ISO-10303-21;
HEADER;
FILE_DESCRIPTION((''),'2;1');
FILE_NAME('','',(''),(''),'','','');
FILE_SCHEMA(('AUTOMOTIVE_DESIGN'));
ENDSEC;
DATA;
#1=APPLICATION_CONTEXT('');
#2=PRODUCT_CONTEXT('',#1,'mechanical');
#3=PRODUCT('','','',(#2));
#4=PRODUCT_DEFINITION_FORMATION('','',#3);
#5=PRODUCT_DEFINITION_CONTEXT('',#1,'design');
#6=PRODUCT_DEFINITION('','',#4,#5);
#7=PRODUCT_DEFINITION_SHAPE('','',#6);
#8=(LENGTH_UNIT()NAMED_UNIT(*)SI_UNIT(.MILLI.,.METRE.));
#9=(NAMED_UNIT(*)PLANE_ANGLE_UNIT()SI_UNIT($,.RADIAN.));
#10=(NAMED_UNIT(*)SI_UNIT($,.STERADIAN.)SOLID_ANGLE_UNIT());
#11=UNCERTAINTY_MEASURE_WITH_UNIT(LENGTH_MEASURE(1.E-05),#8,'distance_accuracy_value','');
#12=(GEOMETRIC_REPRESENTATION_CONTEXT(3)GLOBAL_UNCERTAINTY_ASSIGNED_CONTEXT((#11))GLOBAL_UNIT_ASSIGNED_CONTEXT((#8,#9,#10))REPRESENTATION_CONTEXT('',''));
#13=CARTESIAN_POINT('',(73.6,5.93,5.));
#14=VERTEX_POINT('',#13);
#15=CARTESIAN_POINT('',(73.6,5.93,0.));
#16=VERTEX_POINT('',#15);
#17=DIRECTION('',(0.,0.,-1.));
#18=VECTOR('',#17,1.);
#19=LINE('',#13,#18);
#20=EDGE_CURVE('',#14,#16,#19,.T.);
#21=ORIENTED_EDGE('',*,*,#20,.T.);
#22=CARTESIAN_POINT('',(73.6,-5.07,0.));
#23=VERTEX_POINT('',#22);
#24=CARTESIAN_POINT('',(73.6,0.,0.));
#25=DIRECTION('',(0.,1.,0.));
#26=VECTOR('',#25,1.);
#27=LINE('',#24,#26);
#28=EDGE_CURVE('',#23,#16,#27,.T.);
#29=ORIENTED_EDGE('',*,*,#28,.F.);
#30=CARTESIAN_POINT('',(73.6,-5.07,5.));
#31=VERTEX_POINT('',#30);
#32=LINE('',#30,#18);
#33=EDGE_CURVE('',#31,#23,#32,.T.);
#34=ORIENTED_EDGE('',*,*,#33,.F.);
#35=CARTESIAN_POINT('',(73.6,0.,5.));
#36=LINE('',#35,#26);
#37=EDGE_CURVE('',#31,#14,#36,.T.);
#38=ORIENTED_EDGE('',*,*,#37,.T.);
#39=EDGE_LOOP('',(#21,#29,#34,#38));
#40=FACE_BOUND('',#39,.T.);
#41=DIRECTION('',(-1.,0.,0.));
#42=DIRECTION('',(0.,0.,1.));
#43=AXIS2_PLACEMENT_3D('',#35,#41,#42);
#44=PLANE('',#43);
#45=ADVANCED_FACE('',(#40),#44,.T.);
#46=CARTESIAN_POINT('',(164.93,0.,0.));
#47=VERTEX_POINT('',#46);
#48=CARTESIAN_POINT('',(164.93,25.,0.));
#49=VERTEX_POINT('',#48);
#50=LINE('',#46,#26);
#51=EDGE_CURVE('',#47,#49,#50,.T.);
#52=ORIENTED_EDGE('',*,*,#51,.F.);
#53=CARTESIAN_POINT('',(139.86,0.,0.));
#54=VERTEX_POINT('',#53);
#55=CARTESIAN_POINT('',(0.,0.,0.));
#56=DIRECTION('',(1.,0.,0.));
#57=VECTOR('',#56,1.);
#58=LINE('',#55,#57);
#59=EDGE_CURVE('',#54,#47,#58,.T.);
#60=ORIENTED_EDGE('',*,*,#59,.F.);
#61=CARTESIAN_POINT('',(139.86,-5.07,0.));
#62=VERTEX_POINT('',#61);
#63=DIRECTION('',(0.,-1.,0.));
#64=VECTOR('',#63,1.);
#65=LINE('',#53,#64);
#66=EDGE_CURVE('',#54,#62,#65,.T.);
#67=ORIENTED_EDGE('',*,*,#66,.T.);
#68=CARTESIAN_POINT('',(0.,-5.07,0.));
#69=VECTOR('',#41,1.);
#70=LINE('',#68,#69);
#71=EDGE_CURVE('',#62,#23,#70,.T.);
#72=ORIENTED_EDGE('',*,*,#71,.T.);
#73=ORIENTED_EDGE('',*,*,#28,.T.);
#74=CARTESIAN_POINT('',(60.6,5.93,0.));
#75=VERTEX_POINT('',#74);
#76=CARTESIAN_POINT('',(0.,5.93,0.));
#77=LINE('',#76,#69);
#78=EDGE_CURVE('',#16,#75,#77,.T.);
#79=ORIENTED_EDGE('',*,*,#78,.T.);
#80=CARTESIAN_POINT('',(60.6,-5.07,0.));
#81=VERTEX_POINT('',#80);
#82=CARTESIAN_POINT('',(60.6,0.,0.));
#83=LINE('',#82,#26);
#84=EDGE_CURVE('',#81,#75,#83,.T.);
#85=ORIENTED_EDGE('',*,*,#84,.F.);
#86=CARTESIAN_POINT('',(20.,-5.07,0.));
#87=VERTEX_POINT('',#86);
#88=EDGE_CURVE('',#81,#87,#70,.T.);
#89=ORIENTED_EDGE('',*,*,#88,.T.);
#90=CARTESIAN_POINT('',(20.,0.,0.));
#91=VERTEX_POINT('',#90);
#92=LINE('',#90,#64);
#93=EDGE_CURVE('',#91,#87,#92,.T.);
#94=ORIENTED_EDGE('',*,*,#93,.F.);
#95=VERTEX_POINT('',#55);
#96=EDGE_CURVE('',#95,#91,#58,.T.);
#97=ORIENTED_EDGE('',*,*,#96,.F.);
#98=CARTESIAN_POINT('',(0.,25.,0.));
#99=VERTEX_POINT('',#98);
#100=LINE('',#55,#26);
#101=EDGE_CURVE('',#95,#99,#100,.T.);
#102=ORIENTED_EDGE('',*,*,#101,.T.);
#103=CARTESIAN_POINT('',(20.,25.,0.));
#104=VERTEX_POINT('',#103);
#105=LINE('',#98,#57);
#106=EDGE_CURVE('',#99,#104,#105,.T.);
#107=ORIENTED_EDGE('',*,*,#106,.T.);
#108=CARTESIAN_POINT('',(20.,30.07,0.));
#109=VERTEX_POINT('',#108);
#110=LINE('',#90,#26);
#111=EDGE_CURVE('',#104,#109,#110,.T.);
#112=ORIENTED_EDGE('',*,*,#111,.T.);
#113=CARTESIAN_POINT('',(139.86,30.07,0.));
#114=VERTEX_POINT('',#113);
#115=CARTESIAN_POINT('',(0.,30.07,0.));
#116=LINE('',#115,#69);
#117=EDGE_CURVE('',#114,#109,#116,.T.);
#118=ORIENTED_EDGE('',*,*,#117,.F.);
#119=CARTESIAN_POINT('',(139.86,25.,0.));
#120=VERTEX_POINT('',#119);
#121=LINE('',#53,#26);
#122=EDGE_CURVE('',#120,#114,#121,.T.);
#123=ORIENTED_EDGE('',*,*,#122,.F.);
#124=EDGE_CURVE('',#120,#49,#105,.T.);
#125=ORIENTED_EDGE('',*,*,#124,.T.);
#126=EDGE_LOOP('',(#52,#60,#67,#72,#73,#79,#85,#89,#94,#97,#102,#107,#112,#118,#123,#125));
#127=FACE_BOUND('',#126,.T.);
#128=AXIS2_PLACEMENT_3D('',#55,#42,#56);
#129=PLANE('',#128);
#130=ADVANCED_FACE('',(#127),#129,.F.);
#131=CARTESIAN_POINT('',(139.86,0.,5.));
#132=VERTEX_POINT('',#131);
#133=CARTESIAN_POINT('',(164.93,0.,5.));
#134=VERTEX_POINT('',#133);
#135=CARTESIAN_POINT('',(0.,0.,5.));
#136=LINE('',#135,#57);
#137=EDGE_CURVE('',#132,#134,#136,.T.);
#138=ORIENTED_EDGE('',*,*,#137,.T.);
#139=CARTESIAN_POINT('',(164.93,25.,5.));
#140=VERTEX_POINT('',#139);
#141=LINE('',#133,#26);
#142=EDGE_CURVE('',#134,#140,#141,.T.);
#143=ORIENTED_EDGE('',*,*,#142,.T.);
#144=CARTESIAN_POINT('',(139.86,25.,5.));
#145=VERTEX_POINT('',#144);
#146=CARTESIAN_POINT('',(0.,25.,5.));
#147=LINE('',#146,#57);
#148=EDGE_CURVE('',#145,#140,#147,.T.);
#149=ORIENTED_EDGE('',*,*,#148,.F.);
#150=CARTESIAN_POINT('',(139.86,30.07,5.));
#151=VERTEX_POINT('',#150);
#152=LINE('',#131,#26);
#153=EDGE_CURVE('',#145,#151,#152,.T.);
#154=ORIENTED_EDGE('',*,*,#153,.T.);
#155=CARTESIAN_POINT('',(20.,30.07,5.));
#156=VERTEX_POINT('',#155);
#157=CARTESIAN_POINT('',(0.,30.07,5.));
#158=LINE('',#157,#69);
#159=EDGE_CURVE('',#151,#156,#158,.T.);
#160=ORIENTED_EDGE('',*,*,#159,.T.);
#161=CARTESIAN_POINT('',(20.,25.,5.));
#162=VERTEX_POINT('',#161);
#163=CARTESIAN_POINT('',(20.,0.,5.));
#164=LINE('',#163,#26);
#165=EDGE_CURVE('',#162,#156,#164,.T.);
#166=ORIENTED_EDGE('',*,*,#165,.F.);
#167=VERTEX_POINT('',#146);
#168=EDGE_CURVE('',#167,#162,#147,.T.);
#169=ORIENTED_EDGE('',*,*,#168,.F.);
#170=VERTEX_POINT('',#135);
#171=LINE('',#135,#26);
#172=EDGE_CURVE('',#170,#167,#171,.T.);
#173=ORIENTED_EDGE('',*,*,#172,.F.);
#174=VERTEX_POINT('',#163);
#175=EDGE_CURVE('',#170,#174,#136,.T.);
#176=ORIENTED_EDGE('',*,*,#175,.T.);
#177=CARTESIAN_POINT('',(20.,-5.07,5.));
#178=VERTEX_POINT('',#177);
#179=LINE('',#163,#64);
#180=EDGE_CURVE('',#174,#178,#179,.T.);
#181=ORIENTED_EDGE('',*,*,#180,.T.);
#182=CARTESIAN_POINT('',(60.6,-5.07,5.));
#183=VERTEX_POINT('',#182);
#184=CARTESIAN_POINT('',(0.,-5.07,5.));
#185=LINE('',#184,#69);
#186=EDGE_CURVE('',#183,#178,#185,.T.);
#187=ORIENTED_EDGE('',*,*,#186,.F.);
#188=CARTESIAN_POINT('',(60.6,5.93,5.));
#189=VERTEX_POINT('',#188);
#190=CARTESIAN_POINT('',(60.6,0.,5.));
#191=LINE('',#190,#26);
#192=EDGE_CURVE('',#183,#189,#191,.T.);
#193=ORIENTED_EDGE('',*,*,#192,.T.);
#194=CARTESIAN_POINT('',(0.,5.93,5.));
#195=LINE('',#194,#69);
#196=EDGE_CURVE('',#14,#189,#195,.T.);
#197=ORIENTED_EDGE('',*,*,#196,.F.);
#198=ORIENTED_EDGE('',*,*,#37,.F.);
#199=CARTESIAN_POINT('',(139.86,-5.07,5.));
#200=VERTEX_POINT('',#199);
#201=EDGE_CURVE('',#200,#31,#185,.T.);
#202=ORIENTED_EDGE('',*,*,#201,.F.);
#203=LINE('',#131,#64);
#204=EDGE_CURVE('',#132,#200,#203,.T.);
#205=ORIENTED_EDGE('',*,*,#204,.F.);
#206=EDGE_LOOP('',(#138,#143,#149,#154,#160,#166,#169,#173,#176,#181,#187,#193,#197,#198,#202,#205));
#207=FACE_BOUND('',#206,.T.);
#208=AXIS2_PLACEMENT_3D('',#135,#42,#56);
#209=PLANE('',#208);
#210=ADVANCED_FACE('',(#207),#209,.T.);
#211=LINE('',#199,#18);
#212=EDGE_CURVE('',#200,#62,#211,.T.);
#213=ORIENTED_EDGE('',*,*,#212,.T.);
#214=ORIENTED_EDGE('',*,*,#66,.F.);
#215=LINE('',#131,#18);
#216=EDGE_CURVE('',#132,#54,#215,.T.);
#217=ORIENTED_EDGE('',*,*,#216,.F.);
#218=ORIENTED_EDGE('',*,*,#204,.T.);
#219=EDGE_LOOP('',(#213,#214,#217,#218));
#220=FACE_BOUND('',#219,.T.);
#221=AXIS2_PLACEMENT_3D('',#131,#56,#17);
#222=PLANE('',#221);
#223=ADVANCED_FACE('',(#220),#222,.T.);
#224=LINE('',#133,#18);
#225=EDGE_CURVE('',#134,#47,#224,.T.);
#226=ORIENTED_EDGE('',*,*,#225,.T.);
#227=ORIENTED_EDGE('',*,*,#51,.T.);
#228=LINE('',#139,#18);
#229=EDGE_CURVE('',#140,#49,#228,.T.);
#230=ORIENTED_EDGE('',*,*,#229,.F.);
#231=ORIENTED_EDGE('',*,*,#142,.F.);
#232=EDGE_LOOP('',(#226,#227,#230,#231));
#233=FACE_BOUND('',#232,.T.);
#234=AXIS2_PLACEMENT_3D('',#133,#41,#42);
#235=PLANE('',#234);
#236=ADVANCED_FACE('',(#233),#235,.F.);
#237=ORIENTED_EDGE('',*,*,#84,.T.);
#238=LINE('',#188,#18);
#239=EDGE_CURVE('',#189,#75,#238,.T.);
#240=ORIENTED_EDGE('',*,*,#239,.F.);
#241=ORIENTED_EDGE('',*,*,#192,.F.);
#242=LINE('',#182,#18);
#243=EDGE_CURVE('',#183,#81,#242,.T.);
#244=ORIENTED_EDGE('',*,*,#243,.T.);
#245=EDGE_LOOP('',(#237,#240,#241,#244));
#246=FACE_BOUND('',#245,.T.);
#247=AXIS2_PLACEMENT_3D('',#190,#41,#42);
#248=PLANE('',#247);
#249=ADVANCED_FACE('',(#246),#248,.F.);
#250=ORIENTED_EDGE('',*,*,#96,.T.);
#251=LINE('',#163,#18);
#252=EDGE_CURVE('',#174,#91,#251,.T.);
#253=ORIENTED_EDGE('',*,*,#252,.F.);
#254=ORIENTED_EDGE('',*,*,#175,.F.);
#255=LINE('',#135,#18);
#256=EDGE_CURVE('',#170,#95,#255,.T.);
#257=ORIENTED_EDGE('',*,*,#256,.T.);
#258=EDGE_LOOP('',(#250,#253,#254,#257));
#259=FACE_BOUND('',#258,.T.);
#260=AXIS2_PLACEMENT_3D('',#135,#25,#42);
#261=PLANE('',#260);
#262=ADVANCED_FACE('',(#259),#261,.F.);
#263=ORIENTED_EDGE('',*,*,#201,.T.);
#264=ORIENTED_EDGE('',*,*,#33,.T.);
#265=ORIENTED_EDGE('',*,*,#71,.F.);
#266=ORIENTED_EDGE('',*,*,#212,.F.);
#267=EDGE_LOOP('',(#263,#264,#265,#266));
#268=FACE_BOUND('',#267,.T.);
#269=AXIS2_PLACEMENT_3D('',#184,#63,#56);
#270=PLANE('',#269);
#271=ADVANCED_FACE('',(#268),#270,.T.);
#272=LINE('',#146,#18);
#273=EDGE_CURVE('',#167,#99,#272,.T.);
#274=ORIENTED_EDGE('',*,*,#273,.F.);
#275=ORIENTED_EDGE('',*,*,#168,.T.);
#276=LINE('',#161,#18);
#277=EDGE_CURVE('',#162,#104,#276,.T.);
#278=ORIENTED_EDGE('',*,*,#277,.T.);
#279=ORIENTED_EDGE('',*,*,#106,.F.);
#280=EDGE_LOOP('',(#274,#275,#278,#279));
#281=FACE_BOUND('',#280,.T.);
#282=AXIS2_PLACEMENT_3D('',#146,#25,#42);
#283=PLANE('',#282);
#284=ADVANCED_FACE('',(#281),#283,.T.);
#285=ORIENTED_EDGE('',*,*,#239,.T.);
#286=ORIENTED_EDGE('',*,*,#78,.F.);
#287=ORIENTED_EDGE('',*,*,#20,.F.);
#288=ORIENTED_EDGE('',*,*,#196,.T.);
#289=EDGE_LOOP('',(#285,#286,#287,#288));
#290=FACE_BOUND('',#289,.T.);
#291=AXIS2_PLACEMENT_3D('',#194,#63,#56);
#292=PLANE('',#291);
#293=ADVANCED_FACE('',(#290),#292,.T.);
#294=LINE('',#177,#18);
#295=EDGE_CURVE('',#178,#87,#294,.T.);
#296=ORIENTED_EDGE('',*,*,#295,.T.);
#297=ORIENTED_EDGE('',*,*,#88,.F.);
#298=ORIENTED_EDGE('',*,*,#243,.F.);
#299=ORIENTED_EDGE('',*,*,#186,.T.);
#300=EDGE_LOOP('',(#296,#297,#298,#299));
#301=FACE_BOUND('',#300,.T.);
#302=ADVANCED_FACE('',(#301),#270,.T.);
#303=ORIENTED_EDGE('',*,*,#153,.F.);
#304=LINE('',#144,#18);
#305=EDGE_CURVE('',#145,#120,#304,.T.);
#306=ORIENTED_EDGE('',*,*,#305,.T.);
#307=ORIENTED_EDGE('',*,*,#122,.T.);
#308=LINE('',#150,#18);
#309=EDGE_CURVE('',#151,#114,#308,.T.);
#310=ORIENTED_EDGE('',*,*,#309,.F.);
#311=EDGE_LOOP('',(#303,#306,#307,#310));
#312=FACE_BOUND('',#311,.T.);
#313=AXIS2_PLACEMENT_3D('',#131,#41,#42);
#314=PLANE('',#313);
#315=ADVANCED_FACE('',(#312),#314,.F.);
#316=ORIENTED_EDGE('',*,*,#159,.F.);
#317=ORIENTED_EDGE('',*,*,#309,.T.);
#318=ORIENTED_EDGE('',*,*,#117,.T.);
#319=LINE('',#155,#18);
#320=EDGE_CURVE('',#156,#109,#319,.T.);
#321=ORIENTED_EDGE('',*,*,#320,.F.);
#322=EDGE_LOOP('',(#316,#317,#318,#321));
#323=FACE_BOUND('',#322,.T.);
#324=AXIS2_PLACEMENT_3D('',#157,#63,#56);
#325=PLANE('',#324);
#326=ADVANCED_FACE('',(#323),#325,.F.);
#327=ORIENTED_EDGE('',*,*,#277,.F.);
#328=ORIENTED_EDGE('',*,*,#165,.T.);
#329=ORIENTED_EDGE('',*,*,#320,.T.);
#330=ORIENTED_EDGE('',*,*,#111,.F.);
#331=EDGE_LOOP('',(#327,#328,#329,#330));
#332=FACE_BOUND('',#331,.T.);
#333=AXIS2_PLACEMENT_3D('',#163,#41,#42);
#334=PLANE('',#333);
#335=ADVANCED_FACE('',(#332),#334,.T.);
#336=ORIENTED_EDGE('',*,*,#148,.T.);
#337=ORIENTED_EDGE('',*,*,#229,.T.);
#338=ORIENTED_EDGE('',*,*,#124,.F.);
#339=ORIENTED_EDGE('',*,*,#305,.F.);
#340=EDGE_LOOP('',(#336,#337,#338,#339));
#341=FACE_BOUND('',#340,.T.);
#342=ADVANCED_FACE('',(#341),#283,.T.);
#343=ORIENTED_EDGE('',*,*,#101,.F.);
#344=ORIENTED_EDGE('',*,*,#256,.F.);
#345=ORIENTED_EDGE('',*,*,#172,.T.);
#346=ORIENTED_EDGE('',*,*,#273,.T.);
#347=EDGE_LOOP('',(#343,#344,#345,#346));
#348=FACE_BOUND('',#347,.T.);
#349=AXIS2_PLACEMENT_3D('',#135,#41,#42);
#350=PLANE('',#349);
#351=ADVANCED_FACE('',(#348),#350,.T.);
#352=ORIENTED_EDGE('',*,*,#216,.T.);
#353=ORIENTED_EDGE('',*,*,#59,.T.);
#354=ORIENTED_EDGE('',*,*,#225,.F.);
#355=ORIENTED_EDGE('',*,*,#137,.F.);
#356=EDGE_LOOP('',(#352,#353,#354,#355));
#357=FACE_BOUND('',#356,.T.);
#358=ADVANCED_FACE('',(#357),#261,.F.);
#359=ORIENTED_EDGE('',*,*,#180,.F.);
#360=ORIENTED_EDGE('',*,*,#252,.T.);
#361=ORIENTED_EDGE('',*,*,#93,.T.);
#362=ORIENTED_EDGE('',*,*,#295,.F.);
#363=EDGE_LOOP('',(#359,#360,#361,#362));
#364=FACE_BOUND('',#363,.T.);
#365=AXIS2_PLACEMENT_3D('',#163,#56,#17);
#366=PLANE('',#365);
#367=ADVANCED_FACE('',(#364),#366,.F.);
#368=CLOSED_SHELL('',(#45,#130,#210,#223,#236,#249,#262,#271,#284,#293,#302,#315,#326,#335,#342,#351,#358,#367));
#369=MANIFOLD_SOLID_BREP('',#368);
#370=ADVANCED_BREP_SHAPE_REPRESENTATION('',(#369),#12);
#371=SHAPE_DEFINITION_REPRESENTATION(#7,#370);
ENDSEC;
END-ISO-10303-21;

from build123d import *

# Parameters (mm, degrees)
SKETCH_1_W      = 119.86
SKETCH_1_H      = 5.07
SKETCH_1_W_2    = 40.6
SKETCH_1_W_3    = 66.26
EXTRUDE_1_DEPTH = 5


with BuildPart() as part:
    # ｽｹｯﾁ1 → ﾎﾞｽ - 押し出し1 (new body)
    with BuildSketch(Plane.XY):
        Polygon((0, 25), (0, 0), (20, 0), (60.6, 0), (60.6, 5.93), (73.6, 5.93), (73.6, 0), (139.86, 0), (164.93, 0), (164.93, 25), (139.86, 25), (20, 25), align=None)
        with Locations((79.93, 27.535)):
            Rectangle(SKETCH_1_W, SKETCH_1_H)
        with Locations((40.3, -2.535)):
            Rectangle(SKETCH_1_W_2, SKETCH_1_H)
        with Locations((106.73, -2.535)):
            Rectangle(SKETCH_1_W_3, SKETCH_1_H)
    extrude(amount=EXTRUDE_1_DEPTH)


solid = part.part
